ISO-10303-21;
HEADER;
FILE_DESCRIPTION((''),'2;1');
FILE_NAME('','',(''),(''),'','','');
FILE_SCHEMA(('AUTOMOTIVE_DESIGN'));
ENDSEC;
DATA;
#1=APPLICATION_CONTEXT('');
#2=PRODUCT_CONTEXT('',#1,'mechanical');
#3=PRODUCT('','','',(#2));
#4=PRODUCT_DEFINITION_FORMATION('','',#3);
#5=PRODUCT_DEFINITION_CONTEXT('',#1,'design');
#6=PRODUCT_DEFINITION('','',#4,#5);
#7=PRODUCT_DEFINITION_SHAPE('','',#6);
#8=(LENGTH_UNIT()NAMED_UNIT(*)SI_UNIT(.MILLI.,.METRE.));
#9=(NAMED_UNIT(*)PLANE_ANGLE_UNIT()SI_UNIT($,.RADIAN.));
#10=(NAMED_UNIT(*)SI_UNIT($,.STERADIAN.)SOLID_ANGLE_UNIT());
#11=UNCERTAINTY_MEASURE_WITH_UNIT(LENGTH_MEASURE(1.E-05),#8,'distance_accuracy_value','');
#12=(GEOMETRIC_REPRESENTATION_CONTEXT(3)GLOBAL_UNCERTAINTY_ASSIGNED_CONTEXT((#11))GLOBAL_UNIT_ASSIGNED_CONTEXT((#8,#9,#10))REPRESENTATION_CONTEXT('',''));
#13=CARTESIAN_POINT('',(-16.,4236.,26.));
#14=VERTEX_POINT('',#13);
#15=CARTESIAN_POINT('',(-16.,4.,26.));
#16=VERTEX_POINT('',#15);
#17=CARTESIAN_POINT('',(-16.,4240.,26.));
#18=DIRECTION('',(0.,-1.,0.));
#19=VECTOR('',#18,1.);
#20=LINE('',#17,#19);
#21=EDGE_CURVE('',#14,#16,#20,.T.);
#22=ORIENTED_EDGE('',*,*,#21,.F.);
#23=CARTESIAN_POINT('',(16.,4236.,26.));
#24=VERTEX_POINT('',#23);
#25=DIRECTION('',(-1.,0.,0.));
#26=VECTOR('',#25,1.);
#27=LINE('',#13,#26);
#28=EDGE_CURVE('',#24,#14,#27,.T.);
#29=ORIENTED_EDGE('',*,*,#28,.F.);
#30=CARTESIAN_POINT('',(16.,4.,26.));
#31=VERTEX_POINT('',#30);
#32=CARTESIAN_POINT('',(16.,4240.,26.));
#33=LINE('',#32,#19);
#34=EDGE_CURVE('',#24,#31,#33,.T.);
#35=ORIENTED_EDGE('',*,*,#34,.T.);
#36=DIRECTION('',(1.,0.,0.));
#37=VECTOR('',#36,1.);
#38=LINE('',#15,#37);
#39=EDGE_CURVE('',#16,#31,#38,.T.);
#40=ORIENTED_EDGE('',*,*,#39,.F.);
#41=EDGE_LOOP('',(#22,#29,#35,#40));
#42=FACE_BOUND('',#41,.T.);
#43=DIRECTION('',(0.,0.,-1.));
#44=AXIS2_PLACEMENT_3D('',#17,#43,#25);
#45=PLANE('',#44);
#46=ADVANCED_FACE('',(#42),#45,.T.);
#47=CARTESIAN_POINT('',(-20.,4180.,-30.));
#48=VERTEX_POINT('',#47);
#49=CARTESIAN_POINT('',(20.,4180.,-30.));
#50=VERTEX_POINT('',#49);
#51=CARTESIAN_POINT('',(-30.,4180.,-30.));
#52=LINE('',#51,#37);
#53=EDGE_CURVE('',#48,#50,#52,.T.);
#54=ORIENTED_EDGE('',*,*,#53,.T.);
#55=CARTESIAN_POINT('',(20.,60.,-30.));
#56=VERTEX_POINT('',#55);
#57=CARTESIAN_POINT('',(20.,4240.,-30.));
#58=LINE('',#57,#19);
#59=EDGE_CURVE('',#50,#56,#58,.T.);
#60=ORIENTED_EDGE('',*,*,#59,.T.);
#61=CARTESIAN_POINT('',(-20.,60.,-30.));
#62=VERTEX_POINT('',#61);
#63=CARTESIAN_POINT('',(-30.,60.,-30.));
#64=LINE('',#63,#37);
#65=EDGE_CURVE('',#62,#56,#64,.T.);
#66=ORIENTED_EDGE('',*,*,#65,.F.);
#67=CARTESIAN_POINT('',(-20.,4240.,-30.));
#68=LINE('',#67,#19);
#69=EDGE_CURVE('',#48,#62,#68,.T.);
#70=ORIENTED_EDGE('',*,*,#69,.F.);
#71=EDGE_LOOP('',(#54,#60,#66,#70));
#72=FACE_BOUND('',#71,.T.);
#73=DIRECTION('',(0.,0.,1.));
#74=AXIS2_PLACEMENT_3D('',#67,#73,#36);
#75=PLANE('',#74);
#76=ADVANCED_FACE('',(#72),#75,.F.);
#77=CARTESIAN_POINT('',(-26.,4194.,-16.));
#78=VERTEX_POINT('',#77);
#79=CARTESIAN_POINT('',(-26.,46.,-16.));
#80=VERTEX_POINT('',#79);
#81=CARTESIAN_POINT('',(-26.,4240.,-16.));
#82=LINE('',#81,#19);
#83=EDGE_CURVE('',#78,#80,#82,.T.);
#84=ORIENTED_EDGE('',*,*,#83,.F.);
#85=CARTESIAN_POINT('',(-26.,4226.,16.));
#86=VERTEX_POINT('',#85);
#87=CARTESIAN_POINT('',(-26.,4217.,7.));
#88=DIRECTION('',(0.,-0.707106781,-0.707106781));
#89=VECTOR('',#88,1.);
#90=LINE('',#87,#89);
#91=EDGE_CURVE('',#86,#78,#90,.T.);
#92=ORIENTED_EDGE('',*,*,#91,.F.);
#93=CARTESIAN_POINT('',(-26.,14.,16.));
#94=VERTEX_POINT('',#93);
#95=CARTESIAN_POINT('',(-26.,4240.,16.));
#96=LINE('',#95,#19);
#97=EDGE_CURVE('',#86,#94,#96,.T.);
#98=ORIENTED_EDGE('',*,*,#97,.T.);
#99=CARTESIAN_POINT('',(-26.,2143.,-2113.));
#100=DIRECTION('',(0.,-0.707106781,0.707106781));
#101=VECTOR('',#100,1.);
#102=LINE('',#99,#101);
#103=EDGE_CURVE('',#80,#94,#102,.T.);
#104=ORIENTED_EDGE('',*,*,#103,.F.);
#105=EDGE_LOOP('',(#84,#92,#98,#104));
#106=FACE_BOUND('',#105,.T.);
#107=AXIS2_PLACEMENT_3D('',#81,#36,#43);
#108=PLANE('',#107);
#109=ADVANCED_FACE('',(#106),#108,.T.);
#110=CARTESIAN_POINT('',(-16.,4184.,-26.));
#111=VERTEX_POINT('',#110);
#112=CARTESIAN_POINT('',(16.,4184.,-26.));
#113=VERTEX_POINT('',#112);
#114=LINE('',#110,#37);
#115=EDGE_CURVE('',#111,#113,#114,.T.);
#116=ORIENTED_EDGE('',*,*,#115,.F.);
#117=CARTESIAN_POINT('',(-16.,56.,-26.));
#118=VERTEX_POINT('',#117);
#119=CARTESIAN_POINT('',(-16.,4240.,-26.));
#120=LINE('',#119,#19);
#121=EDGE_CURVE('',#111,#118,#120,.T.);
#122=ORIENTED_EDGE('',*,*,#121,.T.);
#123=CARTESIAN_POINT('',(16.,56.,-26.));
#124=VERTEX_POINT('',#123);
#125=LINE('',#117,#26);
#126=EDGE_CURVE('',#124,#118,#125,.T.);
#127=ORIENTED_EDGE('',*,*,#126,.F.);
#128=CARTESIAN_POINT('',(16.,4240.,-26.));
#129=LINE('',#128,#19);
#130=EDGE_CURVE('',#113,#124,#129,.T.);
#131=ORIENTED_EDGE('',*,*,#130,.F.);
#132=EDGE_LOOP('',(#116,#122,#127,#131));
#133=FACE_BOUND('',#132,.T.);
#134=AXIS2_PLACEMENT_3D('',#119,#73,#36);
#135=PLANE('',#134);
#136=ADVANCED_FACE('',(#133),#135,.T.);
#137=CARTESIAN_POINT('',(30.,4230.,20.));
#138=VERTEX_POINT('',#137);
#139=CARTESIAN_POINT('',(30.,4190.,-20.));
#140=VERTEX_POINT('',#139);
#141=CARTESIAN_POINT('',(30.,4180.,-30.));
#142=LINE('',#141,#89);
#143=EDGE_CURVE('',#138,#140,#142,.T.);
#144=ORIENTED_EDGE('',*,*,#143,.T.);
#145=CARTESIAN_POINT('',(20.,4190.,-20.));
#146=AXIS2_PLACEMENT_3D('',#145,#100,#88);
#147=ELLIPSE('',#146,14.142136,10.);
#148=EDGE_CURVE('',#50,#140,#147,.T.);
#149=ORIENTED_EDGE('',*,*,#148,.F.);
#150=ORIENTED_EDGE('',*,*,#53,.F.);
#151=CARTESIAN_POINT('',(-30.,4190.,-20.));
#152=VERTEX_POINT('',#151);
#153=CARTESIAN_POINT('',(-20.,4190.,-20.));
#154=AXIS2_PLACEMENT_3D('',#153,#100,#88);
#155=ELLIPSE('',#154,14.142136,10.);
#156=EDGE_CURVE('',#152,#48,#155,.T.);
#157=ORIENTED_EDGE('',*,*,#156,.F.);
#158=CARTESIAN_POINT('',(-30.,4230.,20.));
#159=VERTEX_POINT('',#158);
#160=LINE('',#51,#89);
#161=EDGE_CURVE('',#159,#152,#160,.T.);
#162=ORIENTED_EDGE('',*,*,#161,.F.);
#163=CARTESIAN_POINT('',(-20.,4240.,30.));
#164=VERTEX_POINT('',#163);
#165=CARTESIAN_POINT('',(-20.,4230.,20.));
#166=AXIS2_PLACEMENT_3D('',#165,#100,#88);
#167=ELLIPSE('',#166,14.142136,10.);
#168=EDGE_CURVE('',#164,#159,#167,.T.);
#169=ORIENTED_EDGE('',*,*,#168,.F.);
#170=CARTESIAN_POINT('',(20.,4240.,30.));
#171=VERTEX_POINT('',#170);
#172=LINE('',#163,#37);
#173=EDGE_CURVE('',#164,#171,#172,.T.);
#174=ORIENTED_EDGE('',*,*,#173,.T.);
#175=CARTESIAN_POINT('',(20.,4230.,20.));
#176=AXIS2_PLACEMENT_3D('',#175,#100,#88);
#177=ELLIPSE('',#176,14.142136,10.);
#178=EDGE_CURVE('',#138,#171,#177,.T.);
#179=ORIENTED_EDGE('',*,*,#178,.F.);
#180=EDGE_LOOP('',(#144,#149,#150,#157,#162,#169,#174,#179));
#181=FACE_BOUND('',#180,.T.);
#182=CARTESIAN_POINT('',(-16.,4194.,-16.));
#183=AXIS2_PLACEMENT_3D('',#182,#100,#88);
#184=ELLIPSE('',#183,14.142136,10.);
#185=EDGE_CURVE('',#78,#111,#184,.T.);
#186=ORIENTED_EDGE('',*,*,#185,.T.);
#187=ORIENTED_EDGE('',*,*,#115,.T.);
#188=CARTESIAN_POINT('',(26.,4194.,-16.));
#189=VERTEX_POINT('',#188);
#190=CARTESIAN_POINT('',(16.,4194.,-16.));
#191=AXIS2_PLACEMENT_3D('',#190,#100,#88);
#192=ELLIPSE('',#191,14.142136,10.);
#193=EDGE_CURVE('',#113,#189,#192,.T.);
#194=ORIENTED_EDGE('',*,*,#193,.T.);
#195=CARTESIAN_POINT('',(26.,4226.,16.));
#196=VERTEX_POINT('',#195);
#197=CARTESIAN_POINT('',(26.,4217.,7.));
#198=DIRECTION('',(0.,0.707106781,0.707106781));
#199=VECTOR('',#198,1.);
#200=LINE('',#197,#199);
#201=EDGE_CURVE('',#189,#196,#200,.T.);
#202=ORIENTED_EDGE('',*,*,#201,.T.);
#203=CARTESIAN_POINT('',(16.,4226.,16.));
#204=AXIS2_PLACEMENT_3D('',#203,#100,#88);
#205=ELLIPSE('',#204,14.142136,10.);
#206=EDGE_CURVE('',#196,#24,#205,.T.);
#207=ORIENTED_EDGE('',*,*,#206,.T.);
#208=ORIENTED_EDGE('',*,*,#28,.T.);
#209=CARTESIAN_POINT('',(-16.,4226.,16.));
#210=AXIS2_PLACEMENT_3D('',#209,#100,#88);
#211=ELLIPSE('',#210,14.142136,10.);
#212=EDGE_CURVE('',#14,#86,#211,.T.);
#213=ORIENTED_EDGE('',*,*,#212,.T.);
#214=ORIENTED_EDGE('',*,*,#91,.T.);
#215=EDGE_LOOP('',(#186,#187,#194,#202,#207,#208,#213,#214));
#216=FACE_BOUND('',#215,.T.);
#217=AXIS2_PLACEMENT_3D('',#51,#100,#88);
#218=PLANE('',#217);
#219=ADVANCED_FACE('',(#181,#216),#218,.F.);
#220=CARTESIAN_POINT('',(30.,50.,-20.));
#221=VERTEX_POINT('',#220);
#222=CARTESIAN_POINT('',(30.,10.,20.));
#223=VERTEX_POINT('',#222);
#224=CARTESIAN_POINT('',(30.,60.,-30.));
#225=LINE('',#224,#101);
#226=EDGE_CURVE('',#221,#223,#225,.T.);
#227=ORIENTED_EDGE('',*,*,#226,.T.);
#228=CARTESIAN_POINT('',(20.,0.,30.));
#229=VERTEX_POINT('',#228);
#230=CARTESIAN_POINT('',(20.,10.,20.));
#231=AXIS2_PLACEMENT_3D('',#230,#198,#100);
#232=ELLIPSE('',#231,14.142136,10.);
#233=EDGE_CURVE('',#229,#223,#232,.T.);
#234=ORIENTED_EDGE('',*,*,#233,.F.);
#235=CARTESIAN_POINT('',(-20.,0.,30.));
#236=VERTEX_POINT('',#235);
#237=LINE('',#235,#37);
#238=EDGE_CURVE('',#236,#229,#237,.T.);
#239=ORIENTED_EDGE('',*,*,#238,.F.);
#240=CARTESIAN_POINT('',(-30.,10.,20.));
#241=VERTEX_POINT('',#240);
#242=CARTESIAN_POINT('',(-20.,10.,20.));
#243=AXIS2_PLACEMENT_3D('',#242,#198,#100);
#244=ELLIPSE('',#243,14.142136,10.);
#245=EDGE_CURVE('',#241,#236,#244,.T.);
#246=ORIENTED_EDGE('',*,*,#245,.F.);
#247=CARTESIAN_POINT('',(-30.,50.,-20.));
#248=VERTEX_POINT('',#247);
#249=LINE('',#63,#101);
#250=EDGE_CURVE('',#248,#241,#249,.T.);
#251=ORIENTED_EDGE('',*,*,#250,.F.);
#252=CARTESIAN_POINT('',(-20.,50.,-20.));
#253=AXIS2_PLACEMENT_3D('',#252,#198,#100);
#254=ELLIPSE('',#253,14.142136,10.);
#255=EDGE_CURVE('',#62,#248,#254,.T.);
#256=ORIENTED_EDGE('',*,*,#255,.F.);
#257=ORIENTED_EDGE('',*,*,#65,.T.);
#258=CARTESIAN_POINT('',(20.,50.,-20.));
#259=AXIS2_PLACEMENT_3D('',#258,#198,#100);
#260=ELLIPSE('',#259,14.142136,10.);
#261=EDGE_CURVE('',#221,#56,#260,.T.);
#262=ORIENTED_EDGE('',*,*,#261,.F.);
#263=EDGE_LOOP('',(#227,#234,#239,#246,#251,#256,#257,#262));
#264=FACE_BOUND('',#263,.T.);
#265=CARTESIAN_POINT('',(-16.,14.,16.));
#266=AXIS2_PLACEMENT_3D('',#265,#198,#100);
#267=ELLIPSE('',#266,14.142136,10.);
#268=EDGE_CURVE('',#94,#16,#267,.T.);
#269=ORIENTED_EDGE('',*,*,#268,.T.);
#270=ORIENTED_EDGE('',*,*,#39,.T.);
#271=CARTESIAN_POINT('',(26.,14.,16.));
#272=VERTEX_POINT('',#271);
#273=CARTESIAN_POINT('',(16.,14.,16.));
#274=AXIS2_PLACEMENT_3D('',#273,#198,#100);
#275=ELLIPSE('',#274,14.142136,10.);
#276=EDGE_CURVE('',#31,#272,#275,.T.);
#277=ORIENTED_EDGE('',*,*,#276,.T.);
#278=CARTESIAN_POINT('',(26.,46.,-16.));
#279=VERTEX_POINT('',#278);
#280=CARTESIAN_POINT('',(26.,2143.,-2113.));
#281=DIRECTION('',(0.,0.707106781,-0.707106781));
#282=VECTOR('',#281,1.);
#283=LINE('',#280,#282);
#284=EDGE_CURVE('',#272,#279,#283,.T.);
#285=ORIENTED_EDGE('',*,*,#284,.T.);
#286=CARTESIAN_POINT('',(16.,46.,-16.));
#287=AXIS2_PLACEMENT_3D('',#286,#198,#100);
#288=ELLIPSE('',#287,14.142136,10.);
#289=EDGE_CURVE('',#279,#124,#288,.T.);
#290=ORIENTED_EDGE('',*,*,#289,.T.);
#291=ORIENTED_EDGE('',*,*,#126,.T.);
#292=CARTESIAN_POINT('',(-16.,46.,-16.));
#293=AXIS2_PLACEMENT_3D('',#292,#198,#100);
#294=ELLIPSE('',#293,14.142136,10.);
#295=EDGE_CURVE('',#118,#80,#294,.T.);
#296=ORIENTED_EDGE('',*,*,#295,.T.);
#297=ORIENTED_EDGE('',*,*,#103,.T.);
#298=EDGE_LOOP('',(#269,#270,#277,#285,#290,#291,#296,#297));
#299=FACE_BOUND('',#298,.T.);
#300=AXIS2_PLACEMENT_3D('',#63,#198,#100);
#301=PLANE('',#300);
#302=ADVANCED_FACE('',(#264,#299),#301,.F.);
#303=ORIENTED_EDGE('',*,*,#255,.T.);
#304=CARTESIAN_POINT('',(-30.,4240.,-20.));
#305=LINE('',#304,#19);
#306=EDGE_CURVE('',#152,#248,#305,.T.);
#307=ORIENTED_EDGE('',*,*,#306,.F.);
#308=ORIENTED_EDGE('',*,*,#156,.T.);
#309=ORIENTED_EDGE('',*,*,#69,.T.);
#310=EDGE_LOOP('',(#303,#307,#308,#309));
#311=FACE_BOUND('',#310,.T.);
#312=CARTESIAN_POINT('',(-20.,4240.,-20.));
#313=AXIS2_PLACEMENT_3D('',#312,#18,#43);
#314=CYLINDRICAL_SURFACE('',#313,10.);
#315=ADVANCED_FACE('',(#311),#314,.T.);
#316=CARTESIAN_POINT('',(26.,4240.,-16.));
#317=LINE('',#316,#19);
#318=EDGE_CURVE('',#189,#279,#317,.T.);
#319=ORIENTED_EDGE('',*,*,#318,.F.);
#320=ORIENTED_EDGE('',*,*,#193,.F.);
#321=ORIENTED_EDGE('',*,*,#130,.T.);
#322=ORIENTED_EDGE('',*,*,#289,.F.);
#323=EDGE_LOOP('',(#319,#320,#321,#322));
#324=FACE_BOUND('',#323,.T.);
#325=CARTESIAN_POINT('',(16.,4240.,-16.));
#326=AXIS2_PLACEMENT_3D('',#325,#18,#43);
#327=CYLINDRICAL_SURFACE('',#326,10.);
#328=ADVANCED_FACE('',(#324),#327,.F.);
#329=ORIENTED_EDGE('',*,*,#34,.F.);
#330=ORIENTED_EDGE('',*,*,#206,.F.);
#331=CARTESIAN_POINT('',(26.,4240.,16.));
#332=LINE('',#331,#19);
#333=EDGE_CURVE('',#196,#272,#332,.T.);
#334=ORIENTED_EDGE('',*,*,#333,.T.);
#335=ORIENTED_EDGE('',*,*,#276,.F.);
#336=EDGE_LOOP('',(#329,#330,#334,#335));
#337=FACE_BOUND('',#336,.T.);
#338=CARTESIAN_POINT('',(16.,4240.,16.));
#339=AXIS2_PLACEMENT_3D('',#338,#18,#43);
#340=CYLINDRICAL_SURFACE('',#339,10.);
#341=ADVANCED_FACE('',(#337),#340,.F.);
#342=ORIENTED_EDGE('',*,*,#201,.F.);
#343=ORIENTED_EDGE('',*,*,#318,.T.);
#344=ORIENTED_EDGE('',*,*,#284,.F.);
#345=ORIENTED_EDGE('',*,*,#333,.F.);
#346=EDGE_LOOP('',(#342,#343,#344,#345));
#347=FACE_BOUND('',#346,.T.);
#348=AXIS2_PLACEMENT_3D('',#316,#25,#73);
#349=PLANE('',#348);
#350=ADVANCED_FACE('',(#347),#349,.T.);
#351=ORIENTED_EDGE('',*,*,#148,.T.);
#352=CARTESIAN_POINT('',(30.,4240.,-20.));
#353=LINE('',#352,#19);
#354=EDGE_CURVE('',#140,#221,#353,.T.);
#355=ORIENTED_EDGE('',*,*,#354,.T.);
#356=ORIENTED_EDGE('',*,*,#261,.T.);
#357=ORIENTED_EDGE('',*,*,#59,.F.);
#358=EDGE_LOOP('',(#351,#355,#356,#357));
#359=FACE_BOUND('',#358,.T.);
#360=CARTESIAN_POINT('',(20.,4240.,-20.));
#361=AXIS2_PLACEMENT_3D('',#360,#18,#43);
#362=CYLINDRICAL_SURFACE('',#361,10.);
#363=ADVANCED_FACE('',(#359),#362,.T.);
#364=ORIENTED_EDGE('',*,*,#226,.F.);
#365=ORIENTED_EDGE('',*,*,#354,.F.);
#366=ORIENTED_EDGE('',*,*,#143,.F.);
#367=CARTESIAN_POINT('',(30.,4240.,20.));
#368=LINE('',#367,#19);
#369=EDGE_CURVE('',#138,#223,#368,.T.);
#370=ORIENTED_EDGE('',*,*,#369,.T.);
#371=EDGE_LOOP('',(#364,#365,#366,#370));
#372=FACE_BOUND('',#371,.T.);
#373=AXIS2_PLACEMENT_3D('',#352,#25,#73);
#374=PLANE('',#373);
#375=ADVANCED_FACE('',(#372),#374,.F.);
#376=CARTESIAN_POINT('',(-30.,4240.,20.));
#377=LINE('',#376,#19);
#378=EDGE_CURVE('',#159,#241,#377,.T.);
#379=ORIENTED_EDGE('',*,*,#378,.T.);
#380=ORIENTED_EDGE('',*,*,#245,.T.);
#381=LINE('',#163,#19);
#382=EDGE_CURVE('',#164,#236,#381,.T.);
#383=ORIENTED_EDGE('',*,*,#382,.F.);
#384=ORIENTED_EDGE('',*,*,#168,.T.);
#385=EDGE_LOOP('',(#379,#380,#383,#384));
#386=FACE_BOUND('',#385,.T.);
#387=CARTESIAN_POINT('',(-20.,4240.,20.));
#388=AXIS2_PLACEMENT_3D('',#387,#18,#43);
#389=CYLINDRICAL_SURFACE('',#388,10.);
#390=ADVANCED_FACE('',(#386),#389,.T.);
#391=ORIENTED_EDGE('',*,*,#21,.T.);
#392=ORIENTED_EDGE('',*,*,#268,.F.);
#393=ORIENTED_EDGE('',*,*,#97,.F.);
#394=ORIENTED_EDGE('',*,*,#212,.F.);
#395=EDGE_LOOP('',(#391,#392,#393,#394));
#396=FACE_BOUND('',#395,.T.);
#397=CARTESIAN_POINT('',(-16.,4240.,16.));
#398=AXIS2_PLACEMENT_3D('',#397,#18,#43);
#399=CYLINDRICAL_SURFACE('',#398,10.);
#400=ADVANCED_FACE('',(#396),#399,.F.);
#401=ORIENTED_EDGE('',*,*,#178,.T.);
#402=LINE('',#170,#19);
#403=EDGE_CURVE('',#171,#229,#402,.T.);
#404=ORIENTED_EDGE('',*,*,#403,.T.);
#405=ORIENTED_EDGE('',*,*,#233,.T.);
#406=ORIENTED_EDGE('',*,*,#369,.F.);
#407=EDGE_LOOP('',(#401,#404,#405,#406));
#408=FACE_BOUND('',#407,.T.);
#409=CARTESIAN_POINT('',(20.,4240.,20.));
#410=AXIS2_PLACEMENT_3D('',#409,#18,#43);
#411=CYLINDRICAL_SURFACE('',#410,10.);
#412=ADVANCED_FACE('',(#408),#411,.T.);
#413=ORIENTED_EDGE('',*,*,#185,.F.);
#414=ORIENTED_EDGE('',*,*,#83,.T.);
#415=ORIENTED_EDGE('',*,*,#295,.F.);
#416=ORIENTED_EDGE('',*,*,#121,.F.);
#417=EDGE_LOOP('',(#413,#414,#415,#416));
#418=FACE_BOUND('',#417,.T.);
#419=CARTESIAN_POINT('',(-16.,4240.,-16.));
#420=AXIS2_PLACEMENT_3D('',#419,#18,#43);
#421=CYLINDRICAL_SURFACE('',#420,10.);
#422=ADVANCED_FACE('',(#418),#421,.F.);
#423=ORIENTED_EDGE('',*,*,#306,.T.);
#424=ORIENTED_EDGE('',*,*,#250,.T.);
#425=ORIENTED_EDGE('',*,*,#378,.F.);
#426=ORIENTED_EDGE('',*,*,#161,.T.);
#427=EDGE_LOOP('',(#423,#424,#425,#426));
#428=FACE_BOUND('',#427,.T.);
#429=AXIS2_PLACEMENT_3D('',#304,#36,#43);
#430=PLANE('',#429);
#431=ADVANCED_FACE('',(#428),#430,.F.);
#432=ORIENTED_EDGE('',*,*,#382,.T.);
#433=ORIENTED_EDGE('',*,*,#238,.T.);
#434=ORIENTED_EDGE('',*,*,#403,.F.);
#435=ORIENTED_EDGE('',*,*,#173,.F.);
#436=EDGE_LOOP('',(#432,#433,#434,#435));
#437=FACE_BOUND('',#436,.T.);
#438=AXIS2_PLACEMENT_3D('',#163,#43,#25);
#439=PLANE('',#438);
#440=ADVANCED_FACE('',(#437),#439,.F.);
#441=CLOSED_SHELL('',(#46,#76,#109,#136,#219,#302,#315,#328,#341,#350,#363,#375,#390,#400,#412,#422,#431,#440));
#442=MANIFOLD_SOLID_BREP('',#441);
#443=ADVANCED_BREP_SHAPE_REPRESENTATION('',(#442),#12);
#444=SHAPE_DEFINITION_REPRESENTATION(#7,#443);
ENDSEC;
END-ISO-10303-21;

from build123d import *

# Parameters (mm, degrees)
EXTRUDE_1_DEPTH     = 4240
CUT_EXTRUDE_1_DEPTH = 4241.530627174


with BuildPart() as part:
    # Эскиз1 → Бобышка-Вытянуть1 (new body)
    with BuildSketch(Plane(origin=(0, 0, 0), x_dir=(1, 0, 0), z_dir=(0, 1, 0))):
        with BuildLine():
            Line((-20, 30), (20, 30))
            ThreePointArc((20, 30), (27.071067812, 27.071067812), (30, 20))
            Line((30, 20), (30, -20))
            ThreePointArc((30, -20), (27.071067812, -27.071067812), (20, -30))
            Line((20, -30), (-20, -30))
            ThreePointArc((-20, -30), (-27.071067812, -27.071067812), (-30, -20))
            Line((-30, -20), (-30, 20))
            ThreePointArc((-30, 20), (-27.071067812, 27.071067812), (-20, 30))
        make_face()
        with BuildLine():
            Line((-16, 26), (16, 26))
            ThreePointArc((16, 26), (23.071067812, 23.071067812), (26, 16))
            Line((26, 16), (26, -16))
            ThreePointArc((26, -16), (23.071067812, -23.071067812), (16, -26))
            Line((16, -26), (-16, -26))
            ThreePointArc((-16, -26), (-23.071067812, -23.071067812), (-26, -16))
            Line((-26, -16), (-26, 16))
            ThreePointArc((-26, 16), (-23.071067812, 23.071067812), (-16, 26))
        make_face(mode=Mode.SUBTRACT)
    extrude(amount=EXTRUDE_1_DEPTH)

    # Эскиз2 → Вырез-Вытянуть1 (cut, through all)
    with BuildSketch(Plane(origin=(30, 0, 0), x_dir=(0, 0, -1), z_dir=(1, 0, 0))):
        Polygon((-30, 0), (30, 0), (30, 60), align=None)
        Polygon((-30, 4240), (30, 4240), (30, 4180), align=None)
    extrude(amount=-CUT_EXTRUDE_1_DEPTH, mode=Mode.SUBTRACT)


solid = part.part
